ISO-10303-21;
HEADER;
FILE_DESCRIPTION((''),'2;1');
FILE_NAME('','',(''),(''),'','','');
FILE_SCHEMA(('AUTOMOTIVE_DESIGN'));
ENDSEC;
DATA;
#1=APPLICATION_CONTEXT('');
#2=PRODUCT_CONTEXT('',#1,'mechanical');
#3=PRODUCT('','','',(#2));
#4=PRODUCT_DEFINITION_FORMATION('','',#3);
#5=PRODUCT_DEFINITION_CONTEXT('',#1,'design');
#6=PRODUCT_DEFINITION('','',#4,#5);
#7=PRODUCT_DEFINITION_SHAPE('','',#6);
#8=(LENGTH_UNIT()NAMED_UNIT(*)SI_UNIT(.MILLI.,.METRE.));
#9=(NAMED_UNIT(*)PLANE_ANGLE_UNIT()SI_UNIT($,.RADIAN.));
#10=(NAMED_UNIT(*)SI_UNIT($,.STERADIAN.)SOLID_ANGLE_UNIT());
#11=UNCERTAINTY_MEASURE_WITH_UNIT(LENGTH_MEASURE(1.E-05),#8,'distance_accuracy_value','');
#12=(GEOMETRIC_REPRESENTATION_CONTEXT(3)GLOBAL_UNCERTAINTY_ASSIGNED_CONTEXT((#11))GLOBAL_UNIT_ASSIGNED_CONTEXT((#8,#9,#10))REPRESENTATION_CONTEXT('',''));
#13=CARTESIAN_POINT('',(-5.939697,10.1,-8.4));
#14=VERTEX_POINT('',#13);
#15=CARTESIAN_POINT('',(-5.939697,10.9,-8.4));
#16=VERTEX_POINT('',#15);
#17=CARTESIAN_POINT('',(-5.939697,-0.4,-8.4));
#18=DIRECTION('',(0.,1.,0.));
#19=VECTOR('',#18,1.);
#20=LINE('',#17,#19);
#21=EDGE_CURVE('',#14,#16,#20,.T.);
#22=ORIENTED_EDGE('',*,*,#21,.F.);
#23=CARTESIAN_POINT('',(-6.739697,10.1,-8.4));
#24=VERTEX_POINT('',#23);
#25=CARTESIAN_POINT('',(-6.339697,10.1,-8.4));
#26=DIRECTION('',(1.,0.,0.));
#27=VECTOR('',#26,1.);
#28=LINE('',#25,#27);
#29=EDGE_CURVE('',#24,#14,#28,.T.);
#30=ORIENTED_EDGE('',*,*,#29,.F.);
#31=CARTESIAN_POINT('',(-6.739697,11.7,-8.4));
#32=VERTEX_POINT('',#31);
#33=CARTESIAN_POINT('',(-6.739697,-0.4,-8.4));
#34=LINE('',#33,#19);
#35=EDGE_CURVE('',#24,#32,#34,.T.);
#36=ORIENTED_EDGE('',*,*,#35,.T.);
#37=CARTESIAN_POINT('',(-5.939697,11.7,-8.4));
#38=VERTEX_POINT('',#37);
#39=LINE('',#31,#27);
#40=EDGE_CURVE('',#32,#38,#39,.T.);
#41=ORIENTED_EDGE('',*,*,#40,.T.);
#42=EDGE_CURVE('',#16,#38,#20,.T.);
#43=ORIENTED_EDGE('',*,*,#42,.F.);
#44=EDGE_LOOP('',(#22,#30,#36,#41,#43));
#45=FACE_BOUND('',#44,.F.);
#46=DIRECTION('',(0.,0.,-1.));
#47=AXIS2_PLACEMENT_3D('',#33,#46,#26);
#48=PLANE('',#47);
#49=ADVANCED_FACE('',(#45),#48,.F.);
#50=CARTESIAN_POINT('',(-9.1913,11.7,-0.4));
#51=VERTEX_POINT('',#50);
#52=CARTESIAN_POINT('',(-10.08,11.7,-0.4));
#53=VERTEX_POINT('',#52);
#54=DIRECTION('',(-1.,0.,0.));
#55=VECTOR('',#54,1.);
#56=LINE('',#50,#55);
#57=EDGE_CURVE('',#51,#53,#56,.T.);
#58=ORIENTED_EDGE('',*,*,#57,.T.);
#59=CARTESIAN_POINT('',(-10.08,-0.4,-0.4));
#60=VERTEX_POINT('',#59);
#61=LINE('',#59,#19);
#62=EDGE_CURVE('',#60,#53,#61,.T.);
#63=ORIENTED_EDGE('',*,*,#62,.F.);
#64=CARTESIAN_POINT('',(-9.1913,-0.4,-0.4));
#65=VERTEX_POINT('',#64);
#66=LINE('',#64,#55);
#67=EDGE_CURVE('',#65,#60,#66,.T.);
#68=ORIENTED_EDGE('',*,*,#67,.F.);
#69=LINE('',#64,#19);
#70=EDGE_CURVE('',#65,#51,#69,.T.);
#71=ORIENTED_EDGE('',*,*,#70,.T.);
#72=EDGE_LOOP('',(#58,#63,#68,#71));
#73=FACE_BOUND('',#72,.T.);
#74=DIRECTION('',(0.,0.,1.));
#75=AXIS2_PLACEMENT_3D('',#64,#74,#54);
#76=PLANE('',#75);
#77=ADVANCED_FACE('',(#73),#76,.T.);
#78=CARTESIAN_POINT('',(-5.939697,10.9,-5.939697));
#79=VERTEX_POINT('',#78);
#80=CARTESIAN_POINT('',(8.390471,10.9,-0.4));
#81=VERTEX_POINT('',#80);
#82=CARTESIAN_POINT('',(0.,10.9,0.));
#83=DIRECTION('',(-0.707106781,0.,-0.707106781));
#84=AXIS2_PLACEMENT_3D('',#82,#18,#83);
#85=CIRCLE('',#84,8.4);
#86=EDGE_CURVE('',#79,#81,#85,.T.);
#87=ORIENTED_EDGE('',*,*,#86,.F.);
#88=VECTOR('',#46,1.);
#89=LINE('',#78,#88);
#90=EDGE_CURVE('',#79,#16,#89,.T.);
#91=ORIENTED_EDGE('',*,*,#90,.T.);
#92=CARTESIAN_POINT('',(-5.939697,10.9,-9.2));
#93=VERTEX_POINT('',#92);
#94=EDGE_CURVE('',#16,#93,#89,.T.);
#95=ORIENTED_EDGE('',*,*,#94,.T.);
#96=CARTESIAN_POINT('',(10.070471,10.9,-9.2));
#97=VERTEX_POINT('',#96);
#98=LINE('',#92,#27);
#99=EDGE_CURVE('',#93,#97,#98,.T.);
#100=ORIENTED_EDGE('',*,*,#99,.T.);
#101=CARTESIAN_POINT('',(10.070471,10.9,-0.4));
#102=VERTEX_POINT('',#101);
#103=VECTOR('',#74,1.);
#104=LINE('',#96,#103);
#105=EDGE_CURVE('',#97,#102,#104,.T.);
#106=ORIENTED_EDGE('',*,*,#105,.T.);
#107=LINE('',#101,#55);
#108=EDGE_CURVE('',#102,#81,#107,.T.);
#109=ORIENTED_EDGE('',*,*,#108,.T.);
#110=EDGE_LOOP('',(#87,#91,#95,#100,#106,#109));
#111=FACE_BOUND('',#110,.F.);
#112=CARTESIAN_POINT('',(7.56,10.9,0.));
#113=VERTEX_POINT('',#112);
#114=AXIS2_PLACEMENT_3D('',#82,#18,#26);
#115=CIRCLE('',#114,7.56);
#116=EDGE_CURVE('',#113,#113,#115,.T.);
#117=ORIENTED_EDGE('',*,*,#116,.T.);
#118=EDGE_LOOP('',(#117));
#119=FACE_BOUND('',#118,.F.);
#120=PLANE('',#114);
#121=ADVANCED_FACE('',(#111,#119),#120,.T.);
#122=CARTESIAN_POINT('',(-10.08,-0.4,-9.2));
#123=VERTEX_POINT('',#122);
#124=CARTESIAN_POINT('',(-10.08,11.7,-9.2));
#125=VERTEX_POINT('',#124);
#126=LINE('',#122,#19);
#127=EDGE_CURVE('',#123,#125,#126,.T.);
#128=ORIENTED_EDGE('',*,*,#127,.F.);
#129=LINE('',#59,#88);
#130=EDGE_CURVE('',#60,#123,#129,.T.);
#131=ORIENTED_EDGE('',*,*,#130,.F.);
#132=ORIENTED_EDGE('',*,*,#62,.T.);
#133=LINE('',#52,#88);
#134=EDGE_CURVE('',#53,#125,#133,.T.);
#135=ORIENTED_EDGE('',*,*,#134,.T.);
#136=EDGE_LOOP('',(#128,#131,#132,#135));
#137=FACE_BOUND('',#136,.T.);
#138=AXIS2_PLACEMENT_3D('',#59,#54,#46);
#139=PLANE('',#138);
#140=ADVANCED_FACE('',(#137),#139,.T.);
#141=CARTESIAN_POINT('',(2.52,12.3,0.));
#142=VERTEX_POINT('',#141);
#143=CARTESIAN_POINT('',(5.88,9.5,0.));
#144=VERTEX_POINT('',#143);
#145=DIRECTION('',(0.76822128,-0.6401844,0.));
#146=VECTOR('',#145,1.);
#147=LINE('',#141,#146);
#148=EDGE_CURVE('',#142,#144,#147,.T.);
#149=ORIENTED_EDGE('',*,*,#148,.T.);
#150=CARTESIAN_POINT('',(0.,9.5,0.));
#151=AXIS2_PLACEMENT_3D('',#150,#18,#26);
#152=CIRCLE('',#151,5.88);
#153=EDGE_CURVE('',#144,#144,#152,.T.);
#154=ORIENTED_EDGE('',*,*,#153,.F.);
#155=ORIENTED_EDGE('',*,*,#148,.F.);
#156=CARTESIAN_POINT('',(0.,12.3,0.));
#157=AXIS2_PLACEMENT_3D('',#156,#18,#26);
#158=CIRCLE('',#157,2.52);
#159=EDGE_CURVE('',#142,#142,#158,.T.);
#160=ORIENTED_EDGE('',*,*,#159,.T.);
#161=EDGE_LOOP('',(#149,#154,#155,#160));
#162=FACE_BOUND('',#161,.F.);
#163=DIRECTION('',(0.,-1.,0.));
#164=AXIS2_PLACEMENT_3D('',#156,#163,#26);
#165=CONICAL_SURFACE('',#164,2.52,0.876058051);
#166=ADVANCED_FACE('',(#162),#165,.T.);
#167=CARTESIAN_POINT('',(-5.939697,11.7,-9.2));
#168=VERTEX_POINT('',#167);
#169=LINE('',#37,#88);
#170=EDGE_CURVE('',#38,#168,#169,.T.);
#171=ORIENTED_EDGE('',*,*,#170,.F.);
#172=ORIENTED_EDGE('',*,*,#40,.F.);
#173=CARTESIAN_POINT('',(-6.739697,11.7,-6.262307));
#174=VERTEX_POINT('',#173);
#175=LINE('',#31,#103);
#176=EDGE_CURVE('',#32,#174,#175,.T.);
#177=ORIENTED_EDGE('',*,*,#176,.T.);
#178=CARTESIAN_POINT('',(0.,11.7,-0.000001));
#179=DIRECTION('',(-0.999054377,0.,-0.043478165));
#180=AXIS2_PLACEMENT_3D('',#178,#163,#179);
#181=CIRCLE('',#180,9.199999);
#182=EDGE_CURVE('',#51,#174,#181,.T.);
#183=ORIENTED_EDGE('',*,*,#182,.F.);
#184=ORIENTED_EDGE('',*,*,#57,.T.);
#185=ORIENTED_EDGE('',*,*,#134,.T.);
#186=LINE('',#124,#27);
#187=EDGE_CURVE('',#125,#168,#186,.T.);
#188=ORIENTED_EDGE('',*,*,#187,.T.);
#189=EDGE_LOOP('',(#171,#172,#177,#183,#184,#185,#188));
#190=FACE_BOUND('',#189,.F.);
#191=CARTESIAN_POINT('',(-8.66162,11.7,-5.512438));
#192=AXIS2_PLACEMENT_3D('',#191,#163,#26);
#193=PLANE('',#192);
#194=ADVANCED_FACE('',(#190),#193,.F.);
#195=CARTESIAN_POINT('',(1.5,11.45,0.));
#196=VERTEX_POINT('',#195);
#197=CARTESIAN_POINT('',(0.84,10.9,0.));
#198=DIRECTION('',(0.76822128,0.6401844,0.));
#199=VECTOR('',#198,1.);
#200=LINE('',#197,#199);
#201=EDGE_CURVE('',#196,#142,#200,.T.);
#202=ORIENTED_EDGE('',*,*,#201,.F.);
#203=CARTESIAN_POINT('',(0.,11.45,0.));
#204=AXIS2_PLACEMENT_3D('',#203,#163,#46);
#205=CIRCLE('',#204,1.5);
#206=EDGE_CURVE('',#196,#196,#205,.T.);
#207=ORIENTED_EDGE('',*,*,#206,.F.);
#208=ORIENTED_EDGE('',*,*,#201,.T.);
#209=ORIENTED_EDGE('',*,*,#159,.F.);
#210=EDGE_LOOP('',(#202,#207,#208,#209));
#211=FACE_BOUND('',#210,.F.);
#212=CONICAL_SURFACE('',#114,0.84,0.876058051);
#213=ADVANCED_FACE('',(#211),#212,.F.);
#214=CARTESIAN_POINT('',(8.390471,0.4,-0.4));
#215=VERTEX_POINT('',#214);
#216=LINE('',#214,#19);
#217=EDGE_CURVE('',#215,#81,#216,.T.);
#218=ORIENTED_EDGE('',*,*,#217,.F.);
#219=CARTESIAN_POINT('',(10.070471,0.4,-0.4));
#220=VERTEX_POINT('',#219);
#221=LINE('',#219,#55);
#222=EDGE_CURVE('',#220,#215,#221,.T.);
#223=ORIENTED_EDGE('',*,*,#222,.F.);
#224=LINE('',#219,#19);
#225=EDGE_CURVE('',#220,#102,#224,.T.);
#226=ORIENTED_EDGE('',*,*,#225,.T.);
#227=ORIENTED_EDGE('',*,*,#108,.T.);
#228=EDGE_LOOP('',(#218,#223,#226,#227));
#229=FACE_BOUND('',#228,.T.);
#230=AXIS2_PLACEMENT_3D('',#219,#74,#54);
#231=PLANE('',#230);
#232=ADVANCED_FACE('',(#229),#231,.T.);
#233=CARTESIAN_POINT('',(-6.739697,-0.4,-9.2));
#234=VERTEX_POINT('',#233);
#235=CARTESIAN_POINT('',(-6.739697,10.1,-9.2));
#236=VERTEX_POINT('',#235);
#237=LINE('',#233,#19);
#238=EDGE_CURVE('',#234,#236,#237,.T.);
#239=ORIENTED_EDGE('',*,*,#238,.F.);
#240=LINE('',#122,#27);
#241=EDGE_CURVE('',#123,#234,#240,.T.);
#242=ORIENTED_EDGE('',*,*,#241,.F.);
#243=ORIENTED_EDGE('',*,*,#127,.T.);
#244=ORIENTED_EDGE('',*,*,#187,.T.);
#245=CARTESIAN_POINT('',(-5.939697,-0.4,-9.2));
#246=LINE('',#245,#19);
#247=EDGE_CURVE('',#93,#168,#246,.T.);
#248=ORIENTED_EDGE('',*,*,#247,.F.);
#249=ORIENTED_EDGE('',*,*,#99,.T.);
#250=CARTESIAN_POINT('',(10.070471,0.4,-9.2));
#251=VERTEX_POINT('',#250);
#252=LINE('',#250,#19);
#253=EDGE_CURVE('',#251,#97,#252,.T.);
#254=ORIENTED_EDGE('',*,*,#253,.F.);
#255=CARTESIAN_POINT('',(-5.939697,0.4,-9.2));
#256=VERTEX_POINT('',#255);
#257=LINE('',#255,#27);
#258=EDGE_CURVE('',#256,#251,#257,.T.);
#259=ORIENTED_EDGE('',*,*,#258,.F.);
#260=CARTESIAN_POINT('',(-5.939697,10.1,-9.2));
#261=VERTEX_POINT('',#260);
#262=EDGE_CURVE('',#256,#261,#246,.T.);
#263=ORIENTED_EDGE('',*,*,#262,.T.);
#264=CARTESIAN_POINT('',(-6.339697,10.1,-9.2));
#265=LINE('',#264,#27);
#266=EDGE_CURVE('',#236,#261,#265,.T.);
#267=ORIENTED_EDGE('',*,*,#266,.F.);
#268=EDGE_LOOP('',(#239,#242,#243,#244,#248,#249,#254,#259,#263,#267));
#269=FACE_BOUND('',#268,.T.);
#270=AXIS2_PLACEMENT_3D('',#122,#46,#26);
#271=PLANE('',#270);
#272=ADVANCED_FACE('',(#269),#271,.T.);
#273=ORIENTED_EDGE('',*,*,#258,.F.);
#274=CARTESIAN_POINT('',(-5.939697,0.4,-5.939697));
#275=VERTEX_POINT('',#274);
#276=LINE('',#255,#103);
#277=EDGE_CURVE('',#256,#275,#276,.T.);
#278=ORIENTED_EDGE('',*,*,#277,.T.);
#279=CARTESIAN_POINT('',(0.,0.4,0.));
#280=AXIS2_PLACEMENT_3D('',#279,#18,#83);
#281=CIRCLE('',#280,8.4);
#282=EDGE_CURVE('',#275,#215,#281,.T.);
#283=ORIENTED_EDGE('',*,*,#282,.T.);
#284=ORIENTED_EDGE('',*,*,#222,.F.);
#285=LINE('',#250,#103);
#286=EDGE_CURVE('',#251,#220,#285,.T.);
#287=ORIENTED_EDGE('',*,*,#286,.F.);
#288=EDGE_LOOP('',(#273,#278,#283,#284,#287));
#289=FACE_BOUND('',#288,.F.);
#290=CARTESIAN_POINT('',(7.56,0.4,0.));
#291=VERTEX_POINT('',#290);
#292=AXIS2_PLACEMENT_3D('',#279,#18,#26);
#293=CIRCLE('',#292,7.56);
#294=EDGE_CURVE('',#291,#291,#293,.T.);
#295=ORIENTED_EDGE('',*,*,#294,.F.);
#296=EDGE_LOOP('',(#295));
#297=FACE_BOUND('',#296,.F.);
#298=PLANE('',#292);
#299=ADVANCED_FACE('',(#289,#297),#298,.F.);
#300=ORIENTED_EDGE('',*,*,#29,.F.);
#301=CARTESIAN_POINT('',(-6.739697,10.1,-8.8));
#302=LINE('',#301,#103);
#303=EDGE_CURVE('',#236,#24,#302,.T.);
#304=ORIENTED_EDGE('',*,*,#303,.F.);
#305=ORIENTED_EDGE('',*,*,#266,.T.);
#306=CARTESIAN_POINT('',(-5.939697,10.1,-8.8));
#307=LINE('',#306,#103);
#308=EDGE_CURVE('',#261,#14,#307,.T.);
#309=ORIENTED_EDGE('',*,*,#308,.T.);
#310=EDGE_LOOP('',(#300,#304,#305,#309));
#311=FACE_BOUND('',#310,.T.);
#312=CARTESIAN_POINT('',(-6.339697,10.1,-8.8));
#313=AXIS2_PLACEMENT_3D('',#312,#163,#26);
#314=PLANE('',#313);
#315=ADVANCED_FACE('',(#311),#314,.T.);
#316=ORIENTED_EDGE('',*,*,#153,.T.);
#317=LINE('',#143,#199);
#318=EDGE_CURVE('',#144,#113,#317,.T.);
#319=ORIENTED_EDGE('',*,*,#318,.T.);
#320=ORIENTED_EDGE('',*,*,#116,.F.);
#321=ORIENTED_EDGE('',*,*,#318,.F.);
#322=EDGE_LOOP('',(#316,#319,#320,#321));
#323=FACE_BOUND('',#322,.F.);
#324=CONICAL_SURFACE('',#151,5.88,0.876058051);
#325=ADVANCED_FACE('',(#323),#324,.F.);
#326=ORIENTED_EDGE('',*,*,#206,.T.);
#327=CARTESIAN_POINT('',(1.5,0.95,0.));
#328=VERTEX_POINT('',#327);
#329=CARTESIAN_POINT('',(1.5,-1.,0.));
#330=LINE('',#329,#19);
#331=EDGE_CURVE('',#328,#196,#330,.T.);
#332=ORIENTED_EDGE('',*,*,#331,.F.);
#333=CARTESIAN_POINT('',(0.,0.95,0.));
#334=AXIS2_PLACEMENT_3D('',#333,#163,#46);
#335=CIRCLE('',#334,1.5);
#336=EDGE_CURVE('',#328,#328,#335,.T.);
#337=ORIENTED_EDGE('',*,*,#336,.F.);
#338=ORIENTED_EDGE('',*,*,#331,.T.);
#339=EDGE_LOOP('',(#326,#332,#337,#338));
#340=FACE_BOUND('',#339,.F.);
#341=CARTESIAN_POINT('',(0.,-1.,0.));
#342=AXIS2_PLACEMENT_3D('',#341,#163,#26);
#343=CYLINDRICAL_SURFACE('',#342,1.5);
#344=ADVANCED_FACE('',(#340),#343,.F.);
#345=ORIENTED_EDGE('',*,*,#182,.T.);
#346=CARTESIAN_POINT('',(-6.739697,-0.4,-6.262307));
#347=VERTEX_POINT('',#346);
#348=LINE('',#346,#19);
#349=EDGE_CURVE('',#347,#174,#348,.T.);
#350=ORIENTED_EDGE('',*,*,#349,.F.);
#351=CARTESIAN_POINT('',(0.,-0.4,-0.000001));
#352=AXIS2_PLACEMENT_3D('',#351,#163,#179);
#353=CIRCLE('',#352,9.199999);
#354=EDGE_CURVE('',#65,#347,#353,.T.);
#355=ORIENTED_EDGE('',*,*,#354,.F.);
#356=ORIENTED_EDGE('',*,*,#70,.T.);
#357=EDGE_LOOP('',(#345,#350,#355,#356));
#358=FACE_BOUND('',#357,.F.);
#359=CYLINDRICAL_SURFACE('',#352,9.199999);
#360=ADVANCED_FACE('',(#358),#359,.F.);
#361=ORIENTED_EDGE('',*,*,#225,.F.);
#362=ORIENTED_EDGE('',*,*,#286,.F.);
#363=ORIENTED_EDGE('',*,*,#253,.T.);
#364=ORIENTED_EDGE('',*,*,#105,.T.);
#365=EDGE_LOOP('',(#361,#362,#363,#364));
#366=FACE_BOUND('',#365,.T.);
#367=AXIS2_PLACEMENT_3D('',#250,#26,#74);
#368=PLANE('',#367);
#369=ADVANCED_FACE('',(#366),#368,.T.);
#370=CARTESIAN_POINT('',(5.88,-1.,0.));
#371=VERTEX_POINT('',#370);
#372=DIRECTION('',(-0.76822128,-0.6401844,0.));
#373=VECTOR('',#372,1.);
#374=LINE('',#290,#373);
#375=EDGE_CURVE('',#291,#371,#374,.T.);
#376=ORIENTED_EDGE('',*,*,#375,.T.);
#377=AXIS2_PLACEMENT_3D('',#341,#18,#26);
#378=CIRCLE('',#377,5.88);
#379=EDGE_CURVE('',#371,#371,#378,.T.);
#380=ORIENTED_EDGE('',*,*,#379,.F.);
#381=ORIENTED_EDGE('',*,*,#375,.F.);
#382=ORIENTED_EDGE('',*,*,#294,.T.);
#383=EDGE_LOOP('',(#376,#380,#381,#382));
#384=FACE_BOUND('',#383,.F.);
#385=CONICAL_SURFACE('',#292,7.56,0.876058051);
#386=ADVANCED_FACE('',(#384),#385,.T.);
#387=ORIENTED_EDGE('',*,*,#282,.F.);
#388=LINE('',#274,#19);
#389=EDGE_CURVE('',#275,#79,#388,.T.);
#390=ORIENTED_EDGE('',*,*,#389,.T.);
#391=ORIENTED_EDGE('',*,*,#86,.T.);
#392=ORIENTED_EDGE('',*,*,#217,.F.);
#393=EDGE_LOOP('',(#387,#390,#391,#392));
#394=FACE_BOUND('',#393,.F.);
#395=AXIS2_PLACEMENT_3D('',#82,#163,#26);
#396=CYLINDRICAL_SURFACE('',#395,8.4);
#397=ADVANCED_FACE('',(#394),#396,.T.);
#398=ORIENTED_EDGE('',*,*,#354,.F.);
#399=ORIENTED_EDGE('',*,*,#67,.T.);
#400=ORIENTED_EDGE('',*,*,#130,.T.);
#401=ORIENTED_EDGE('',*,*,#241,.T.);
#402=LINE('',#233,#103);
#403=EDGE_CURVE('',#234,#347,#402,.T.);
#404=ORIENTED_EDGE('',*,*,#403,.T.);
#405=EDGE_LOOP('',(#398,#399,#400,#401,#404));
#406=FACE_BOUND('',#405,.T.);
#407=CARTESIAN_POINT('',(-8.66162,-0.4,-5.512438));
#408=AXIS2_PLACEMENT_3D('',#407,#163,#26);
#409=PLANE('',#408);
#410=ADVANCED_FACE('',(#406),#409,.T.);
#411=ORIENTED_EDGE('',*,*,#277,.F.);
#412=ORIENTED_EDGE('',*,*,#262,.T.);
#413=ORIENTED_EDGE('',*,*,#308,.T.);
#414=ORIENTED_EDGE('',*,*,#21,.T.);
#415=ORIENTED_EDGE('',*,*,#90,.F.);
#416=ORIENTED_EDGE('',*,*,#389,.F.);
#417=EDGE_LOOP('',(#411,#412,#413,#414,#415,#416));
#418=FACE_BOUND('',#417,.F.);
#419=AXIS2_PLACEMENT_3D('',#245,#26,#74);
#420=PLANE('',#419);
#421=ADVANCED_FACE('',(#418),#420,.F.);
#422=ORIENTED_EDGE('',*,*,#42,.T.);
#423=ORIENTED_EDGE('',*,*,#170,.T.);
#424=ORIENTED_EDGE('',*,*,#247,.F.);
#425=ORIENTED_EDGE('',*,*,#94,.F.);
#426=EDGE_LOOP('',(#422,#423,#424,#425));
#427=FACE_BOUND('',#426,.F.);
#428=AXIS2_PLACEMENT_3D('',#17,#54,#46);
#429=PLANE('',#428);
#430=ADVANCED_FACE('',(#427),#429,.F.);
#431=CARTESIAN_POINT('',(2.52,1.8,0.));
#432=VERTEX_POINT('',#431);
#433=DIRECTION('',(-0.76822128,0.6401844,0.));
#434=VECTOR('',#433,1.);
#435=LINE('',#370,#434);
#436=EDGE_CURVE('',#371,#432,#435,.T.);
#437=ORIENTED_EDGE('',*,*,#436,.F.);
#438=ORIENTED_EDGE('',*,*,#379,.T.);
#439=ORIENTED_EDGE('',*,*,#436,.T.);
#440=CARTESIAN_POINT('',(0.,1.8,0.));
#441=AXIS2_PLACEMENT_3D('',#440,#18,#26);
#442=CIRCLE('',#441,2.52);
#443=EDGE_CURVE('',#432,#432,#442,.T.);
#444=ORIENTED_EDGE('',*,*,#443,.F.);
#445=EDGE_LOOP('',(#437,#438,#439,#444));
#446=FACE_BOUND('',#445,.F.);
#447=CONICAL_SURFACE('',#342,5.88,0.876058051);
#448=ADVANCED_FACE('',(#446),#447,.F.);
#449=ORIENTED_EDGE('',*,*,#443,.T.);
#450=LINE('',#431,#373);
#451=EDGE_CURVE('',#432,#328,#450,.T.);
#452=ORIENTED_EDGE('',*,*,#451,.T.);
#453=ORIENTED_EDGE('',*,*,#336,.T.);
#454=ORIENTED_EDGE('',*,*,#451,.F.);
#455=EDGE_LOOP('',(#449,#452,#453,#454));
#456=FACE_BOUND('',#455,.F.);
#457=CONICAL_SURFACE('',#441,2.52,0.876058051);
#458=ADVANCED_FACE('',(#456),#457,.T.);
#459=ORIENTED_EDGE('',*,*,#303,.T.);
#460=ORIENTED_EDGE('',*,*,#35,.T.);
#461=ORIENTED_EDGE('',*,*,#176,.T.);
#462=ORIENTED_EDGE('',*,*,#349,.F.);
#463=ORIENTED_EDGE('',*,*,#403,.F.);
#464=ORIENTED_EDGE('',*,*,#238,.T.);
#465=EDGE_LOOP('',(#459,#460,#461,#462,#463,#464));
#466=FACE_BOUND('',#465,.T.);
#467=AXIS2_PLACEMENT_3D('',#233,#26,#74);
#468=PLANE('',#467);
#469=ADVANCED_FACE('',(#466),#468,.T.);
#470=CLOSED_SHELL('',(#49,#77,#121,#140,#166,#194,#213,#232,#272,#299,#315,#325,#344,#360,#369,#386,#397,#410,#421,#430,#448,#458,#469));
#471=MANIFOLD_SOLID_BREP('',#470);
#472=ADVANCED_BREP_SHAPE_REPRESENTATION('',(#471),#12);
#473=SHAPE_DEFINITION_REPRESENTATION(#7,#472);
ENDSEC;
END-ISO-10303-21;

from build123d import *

# Parameters (mm, degrees)
SKETCH013_R     = 1.5
POCKET001_DEPTH = 23.8
PAD008_DEPTH    = 10.5
PAD009_DEPTH    = 12.1
SKETCH047_W     = 0.8
SKETCH047_H     = 0.8
POCKET005_DEPTH = 10.5


with BuildPart() as part:
    # Sketch007 → Revolution (revolve)
    with BuildSketch(Plane.XY):
        Polygon((0, 10.9), (0.84, 10.9), (2.52, 12.3), (5.88, 9.5), (7.56, 10.9), (8.4, 10.9), (8.4, 0.4), (7.56, 0.4), (5.88, -1), (2.52, 1.8), (0.84, 0.4), (0, 0.4), align=None)
    revolve(axis=Axis((0, 0, 0), (0, 1, 0)))

    # Sketch013 → Pocket001 (cut)
    with BuildSketch(Plane.XZ.offset(1)):
        Circle(SKETCH013_R)
    extrude(amount=-POCKET001_DEPTH, mode=Mode.SUBTRACT)

    # Sketch023 → Pad008 (join)
    with BuildSketch(Plane.XZ.offset(-0.4)):
        with BuildLine():
            Line((-5.939697, -9.2), (10.070471, -9.2))
            Line((10.070471, -9.2), (10.070471, -0.4))
            Line((10.070471, -0.4), (8.390471, -0.4))
            ThreePointArc((-5.939697, -5.939697), (3.028801, -7.834945), (8.390471, -0.4))
            Line((-5.939697, -5.939697), (-5.939697, -9.2))
        make_face()
    extrude(amount=-PAD008_DEPTH)

    # Sketch024 → Pad009 (join)
    with BuildSketch(Plane.XZ.offset(0.4)):
        with BuildLine():
            Line((-10.08, -0.4), (-10.08, -9.2))
            Line((-10.08, -9.2), (-5.939697, -9.2))
            Line((-5.939697, -8.4), (-5.939697, -9.2))
            Line((-6.739697, -8.4), (-5.939697, -8.4))
            Line((-6.739697, -8.4), (-6.739697, -6.262307))
            ThreePointArc((-9.1913, -0.4), (-8.487687, -3.549531), (-6.739697, -6.262307))
            Line((-9.1913, -0.4), (-10.08, -0.4))
        make_face()
    extrude(amount=-PAD009_DEPTH)

    # Sketch047 → Pocket005 (cut)
    with BuildSketch(Plane.XZ.offset(0.4)):
        with Locations((-6.339697, -8.8)):
            Rectangle(SKETCH047_W, SKETCH047_H)
    extrude(amount=-POCKET005_DEPTH, mode=Mode.SUBTRACT)


solid = part.part
